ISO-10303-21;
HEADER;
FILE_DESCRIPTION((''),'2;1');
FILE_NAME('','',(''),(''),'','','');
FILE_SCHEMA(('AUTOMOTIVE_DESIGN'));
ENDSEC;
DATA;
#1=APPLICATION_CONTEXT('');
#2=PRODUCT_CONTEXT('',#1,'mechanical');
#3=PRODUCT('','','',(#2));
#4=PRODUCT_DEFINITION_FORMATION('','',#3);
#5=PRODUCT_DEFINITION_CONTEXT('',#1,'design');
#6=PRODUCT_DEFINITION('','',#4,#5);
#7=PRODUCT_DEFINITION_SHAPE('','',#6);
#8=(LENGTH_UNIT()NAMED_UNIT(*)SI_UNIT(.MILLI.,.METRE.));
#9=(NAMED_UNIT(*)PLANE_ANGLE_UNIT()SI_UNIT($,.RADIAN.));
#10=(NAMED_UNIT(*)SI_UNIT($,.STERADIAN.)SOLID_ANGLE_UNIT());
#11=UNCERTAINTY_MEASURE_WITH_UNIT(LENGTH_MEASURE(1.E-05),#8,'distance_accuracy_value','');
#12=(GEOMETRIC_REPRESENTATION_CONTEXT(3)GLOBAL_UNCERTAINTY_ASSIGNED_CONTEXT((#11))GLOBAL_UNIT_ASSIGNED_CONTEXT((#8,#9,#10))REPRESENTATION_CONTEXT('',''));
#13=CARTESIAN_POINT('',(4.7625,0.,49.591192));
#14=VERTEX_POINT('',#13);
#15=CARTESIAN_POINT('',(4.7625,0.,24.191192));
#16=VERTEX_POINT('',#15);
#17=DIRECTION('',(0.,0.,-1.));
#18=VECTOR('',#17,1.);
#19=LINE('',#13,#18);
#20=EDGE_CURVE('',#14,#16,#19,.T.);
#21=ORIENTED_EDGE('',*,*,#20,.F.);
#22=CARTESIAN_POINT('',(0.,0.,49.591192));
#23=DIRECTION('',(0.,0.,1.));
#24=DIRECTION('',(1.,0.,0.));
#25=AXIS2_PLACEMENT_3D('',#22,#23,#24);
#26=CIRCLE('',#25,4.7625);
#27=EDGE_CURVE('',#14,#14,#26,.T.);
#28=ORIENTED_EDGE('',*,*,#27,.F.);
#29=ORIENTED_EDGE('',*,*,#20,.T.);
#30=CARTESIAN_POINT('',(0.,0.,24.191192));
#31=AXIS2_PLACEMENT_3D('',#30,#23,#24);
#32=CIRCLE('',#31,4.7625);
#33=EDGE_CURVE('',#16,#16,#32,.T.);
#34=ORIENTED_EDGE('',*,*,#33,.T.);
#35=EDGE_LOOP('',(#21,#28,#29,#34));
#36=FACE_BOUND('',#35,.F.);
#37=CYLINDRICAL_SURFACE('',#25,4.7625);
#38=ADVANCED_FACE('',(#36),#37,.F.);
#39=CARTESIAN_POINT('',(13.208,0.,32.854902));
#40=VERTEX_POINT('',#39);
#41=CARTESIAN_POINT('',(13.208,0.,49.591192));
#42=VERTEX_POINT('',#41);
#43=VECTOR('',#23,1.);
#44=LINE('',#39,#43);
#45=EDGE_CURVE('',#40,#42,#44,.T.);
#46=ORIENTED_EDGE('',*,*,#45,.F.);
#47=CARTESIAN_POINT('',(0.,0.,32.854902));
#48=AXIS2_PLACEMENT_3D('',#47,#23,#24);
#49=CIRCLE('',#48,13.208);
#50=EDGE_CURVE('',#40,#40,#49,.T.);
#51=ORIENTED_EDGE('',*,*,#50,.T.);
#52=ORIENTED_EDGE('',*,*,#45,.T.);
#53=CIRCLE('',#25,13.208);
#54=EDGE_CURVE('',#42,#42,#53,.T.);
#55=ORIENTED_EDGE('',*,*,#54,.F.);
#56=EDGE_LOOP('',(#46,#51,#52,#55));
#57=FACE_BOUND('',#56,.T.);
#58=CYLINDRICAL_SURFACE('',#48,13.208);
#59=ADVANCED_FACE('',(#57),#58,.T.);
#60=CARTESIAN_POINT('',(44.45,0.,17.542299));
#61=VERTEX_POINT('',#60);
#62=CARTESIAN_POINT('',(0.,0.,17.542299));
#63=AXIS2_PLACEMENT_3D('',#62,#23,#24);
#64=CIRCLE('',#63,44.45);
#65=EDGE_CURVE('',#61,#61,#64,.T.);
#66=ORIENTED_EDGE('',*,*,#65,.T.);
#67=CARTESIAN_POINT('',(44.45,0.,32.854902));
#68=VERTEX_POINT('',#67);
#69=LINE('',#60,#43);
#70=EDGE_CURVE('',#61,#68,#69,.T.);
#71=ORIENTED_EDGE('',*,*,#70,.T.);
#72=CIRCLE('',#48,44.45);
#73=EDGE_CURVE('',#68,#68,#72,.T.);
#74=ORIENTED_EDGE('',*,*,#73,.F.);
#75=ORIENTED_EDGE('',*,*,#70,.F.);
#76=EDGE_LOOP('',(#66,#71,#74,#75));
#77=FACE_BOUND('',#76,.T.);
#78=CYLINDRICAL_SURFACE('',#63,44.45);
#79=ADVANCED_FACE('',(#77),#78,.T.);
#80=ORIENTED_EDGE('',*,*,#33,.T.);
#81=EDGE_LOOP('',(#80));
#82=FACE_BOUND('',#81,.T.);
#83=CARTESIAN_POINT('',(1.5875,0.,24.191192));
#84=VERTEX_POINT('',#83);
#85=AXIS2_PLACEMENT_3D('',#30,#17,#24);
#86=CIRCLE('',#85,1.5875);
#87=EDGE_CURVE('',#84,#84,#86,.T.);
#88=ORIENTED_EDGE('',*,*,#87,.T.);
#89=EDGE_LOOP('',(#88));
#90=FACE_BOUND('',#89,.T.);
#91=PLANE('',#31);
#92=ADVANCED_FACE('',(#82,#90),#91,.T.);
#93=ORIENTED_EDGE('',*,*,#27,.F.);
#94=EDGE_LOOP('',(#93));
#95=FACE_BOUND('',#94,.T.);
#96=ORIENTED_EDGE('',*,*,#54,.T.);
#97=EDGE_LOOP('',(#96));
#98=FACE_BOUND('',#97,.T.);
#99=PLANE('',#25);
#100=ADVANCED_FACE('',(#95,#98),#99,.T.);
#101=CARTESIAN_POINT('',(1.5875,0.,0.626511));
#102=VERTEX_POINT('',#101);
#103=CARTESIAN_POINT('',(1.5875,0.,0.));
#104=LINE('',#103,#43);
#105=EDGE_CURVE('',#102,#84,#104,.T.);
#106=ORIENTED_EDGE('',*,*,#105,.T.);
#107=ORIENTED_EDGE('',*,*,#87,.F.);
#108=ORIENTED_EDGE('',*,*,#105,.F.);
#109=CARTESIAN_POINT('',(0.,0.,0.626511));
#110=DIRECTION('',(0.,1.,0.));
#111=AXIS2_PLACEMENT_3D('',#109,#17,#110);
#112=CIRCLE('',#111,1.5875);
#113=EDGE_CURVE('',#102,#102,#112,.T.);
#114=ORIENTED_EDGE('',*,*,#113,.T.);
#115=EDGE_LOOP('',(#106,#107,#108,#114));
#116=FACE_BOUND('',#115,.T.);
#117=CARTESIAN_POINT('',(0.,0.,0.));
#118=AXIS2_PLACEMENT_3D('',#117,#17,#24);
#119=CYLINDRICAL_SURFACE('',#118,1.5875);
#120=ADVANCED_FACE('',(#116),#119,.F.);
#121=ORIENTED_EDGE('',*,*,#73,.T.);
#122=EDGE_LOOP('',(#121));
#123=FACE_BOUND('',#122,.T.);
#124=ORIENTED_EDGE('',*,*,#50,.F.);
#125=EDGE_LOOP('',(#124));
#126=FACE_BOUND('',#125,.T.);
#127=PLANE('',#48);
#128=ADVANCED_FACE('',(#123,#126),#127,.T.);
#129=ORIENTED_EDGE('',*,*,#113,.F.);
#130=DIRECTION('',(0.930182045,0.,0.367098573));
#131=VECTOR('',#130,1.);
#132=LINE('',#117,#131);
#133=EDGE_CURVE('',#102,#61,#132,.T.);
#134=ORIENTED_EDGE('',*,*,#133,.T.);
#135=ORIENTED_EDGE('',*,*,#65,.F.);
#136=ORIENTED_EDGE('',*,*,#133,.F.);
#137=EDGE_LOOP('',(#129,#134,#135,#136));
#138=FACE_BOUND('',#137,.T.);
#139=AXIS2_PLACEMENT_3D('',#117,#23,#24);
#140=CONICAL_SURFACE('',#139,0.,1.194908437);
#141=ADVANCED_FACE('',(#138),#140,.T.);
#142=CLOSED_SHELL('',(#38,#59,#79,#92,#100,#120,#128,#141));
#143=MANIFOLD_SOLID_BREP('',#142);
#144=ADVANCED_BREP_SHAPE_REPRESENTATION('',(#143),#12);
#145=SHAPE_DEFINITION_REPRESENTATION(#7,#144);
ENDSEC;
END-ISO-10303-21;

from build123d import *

# Parameters (mm, degrees)
F2_R     = 4.7625
F4_DEPTH = 25.4
F5_R     = 1.5875
F6_DEPTH = 25.4


with BuildPart() as f1:
    # F0 (on Front) → F1 (revolve)
    with BuildSketch(Plane.XZ):
        Polygon((0, 24.795596), (0, 0), (44.45, 17.542299), (44.45, 24.795596), align=None)
        Polygon((0, 49.591192), (0, 24.795596), (44.45, 24.795596), (44.45, 32.854902), (13.208, 32.854902), (13.208, 49.591192), align=None)
    revolve(axis=Axis((0, 0, 24.795596), (0, 0, 1)))

    # F2 (on face) → F4 (cut)
    with BuildSketch(Plane.XY.offset(49.591192)):
        Circle(F2_R)
    extrude(amount=-F4_DEPTH, mode=Mode.SUBTRACT)

    # F5 (on Top) → F6 (cut)
    with BuildSketch(Plane.XY):
        Circle(F5_R)
    extrude(amount=F6_DEPTH, mode=Mode.SUBTRACT)


solid = f1.part
